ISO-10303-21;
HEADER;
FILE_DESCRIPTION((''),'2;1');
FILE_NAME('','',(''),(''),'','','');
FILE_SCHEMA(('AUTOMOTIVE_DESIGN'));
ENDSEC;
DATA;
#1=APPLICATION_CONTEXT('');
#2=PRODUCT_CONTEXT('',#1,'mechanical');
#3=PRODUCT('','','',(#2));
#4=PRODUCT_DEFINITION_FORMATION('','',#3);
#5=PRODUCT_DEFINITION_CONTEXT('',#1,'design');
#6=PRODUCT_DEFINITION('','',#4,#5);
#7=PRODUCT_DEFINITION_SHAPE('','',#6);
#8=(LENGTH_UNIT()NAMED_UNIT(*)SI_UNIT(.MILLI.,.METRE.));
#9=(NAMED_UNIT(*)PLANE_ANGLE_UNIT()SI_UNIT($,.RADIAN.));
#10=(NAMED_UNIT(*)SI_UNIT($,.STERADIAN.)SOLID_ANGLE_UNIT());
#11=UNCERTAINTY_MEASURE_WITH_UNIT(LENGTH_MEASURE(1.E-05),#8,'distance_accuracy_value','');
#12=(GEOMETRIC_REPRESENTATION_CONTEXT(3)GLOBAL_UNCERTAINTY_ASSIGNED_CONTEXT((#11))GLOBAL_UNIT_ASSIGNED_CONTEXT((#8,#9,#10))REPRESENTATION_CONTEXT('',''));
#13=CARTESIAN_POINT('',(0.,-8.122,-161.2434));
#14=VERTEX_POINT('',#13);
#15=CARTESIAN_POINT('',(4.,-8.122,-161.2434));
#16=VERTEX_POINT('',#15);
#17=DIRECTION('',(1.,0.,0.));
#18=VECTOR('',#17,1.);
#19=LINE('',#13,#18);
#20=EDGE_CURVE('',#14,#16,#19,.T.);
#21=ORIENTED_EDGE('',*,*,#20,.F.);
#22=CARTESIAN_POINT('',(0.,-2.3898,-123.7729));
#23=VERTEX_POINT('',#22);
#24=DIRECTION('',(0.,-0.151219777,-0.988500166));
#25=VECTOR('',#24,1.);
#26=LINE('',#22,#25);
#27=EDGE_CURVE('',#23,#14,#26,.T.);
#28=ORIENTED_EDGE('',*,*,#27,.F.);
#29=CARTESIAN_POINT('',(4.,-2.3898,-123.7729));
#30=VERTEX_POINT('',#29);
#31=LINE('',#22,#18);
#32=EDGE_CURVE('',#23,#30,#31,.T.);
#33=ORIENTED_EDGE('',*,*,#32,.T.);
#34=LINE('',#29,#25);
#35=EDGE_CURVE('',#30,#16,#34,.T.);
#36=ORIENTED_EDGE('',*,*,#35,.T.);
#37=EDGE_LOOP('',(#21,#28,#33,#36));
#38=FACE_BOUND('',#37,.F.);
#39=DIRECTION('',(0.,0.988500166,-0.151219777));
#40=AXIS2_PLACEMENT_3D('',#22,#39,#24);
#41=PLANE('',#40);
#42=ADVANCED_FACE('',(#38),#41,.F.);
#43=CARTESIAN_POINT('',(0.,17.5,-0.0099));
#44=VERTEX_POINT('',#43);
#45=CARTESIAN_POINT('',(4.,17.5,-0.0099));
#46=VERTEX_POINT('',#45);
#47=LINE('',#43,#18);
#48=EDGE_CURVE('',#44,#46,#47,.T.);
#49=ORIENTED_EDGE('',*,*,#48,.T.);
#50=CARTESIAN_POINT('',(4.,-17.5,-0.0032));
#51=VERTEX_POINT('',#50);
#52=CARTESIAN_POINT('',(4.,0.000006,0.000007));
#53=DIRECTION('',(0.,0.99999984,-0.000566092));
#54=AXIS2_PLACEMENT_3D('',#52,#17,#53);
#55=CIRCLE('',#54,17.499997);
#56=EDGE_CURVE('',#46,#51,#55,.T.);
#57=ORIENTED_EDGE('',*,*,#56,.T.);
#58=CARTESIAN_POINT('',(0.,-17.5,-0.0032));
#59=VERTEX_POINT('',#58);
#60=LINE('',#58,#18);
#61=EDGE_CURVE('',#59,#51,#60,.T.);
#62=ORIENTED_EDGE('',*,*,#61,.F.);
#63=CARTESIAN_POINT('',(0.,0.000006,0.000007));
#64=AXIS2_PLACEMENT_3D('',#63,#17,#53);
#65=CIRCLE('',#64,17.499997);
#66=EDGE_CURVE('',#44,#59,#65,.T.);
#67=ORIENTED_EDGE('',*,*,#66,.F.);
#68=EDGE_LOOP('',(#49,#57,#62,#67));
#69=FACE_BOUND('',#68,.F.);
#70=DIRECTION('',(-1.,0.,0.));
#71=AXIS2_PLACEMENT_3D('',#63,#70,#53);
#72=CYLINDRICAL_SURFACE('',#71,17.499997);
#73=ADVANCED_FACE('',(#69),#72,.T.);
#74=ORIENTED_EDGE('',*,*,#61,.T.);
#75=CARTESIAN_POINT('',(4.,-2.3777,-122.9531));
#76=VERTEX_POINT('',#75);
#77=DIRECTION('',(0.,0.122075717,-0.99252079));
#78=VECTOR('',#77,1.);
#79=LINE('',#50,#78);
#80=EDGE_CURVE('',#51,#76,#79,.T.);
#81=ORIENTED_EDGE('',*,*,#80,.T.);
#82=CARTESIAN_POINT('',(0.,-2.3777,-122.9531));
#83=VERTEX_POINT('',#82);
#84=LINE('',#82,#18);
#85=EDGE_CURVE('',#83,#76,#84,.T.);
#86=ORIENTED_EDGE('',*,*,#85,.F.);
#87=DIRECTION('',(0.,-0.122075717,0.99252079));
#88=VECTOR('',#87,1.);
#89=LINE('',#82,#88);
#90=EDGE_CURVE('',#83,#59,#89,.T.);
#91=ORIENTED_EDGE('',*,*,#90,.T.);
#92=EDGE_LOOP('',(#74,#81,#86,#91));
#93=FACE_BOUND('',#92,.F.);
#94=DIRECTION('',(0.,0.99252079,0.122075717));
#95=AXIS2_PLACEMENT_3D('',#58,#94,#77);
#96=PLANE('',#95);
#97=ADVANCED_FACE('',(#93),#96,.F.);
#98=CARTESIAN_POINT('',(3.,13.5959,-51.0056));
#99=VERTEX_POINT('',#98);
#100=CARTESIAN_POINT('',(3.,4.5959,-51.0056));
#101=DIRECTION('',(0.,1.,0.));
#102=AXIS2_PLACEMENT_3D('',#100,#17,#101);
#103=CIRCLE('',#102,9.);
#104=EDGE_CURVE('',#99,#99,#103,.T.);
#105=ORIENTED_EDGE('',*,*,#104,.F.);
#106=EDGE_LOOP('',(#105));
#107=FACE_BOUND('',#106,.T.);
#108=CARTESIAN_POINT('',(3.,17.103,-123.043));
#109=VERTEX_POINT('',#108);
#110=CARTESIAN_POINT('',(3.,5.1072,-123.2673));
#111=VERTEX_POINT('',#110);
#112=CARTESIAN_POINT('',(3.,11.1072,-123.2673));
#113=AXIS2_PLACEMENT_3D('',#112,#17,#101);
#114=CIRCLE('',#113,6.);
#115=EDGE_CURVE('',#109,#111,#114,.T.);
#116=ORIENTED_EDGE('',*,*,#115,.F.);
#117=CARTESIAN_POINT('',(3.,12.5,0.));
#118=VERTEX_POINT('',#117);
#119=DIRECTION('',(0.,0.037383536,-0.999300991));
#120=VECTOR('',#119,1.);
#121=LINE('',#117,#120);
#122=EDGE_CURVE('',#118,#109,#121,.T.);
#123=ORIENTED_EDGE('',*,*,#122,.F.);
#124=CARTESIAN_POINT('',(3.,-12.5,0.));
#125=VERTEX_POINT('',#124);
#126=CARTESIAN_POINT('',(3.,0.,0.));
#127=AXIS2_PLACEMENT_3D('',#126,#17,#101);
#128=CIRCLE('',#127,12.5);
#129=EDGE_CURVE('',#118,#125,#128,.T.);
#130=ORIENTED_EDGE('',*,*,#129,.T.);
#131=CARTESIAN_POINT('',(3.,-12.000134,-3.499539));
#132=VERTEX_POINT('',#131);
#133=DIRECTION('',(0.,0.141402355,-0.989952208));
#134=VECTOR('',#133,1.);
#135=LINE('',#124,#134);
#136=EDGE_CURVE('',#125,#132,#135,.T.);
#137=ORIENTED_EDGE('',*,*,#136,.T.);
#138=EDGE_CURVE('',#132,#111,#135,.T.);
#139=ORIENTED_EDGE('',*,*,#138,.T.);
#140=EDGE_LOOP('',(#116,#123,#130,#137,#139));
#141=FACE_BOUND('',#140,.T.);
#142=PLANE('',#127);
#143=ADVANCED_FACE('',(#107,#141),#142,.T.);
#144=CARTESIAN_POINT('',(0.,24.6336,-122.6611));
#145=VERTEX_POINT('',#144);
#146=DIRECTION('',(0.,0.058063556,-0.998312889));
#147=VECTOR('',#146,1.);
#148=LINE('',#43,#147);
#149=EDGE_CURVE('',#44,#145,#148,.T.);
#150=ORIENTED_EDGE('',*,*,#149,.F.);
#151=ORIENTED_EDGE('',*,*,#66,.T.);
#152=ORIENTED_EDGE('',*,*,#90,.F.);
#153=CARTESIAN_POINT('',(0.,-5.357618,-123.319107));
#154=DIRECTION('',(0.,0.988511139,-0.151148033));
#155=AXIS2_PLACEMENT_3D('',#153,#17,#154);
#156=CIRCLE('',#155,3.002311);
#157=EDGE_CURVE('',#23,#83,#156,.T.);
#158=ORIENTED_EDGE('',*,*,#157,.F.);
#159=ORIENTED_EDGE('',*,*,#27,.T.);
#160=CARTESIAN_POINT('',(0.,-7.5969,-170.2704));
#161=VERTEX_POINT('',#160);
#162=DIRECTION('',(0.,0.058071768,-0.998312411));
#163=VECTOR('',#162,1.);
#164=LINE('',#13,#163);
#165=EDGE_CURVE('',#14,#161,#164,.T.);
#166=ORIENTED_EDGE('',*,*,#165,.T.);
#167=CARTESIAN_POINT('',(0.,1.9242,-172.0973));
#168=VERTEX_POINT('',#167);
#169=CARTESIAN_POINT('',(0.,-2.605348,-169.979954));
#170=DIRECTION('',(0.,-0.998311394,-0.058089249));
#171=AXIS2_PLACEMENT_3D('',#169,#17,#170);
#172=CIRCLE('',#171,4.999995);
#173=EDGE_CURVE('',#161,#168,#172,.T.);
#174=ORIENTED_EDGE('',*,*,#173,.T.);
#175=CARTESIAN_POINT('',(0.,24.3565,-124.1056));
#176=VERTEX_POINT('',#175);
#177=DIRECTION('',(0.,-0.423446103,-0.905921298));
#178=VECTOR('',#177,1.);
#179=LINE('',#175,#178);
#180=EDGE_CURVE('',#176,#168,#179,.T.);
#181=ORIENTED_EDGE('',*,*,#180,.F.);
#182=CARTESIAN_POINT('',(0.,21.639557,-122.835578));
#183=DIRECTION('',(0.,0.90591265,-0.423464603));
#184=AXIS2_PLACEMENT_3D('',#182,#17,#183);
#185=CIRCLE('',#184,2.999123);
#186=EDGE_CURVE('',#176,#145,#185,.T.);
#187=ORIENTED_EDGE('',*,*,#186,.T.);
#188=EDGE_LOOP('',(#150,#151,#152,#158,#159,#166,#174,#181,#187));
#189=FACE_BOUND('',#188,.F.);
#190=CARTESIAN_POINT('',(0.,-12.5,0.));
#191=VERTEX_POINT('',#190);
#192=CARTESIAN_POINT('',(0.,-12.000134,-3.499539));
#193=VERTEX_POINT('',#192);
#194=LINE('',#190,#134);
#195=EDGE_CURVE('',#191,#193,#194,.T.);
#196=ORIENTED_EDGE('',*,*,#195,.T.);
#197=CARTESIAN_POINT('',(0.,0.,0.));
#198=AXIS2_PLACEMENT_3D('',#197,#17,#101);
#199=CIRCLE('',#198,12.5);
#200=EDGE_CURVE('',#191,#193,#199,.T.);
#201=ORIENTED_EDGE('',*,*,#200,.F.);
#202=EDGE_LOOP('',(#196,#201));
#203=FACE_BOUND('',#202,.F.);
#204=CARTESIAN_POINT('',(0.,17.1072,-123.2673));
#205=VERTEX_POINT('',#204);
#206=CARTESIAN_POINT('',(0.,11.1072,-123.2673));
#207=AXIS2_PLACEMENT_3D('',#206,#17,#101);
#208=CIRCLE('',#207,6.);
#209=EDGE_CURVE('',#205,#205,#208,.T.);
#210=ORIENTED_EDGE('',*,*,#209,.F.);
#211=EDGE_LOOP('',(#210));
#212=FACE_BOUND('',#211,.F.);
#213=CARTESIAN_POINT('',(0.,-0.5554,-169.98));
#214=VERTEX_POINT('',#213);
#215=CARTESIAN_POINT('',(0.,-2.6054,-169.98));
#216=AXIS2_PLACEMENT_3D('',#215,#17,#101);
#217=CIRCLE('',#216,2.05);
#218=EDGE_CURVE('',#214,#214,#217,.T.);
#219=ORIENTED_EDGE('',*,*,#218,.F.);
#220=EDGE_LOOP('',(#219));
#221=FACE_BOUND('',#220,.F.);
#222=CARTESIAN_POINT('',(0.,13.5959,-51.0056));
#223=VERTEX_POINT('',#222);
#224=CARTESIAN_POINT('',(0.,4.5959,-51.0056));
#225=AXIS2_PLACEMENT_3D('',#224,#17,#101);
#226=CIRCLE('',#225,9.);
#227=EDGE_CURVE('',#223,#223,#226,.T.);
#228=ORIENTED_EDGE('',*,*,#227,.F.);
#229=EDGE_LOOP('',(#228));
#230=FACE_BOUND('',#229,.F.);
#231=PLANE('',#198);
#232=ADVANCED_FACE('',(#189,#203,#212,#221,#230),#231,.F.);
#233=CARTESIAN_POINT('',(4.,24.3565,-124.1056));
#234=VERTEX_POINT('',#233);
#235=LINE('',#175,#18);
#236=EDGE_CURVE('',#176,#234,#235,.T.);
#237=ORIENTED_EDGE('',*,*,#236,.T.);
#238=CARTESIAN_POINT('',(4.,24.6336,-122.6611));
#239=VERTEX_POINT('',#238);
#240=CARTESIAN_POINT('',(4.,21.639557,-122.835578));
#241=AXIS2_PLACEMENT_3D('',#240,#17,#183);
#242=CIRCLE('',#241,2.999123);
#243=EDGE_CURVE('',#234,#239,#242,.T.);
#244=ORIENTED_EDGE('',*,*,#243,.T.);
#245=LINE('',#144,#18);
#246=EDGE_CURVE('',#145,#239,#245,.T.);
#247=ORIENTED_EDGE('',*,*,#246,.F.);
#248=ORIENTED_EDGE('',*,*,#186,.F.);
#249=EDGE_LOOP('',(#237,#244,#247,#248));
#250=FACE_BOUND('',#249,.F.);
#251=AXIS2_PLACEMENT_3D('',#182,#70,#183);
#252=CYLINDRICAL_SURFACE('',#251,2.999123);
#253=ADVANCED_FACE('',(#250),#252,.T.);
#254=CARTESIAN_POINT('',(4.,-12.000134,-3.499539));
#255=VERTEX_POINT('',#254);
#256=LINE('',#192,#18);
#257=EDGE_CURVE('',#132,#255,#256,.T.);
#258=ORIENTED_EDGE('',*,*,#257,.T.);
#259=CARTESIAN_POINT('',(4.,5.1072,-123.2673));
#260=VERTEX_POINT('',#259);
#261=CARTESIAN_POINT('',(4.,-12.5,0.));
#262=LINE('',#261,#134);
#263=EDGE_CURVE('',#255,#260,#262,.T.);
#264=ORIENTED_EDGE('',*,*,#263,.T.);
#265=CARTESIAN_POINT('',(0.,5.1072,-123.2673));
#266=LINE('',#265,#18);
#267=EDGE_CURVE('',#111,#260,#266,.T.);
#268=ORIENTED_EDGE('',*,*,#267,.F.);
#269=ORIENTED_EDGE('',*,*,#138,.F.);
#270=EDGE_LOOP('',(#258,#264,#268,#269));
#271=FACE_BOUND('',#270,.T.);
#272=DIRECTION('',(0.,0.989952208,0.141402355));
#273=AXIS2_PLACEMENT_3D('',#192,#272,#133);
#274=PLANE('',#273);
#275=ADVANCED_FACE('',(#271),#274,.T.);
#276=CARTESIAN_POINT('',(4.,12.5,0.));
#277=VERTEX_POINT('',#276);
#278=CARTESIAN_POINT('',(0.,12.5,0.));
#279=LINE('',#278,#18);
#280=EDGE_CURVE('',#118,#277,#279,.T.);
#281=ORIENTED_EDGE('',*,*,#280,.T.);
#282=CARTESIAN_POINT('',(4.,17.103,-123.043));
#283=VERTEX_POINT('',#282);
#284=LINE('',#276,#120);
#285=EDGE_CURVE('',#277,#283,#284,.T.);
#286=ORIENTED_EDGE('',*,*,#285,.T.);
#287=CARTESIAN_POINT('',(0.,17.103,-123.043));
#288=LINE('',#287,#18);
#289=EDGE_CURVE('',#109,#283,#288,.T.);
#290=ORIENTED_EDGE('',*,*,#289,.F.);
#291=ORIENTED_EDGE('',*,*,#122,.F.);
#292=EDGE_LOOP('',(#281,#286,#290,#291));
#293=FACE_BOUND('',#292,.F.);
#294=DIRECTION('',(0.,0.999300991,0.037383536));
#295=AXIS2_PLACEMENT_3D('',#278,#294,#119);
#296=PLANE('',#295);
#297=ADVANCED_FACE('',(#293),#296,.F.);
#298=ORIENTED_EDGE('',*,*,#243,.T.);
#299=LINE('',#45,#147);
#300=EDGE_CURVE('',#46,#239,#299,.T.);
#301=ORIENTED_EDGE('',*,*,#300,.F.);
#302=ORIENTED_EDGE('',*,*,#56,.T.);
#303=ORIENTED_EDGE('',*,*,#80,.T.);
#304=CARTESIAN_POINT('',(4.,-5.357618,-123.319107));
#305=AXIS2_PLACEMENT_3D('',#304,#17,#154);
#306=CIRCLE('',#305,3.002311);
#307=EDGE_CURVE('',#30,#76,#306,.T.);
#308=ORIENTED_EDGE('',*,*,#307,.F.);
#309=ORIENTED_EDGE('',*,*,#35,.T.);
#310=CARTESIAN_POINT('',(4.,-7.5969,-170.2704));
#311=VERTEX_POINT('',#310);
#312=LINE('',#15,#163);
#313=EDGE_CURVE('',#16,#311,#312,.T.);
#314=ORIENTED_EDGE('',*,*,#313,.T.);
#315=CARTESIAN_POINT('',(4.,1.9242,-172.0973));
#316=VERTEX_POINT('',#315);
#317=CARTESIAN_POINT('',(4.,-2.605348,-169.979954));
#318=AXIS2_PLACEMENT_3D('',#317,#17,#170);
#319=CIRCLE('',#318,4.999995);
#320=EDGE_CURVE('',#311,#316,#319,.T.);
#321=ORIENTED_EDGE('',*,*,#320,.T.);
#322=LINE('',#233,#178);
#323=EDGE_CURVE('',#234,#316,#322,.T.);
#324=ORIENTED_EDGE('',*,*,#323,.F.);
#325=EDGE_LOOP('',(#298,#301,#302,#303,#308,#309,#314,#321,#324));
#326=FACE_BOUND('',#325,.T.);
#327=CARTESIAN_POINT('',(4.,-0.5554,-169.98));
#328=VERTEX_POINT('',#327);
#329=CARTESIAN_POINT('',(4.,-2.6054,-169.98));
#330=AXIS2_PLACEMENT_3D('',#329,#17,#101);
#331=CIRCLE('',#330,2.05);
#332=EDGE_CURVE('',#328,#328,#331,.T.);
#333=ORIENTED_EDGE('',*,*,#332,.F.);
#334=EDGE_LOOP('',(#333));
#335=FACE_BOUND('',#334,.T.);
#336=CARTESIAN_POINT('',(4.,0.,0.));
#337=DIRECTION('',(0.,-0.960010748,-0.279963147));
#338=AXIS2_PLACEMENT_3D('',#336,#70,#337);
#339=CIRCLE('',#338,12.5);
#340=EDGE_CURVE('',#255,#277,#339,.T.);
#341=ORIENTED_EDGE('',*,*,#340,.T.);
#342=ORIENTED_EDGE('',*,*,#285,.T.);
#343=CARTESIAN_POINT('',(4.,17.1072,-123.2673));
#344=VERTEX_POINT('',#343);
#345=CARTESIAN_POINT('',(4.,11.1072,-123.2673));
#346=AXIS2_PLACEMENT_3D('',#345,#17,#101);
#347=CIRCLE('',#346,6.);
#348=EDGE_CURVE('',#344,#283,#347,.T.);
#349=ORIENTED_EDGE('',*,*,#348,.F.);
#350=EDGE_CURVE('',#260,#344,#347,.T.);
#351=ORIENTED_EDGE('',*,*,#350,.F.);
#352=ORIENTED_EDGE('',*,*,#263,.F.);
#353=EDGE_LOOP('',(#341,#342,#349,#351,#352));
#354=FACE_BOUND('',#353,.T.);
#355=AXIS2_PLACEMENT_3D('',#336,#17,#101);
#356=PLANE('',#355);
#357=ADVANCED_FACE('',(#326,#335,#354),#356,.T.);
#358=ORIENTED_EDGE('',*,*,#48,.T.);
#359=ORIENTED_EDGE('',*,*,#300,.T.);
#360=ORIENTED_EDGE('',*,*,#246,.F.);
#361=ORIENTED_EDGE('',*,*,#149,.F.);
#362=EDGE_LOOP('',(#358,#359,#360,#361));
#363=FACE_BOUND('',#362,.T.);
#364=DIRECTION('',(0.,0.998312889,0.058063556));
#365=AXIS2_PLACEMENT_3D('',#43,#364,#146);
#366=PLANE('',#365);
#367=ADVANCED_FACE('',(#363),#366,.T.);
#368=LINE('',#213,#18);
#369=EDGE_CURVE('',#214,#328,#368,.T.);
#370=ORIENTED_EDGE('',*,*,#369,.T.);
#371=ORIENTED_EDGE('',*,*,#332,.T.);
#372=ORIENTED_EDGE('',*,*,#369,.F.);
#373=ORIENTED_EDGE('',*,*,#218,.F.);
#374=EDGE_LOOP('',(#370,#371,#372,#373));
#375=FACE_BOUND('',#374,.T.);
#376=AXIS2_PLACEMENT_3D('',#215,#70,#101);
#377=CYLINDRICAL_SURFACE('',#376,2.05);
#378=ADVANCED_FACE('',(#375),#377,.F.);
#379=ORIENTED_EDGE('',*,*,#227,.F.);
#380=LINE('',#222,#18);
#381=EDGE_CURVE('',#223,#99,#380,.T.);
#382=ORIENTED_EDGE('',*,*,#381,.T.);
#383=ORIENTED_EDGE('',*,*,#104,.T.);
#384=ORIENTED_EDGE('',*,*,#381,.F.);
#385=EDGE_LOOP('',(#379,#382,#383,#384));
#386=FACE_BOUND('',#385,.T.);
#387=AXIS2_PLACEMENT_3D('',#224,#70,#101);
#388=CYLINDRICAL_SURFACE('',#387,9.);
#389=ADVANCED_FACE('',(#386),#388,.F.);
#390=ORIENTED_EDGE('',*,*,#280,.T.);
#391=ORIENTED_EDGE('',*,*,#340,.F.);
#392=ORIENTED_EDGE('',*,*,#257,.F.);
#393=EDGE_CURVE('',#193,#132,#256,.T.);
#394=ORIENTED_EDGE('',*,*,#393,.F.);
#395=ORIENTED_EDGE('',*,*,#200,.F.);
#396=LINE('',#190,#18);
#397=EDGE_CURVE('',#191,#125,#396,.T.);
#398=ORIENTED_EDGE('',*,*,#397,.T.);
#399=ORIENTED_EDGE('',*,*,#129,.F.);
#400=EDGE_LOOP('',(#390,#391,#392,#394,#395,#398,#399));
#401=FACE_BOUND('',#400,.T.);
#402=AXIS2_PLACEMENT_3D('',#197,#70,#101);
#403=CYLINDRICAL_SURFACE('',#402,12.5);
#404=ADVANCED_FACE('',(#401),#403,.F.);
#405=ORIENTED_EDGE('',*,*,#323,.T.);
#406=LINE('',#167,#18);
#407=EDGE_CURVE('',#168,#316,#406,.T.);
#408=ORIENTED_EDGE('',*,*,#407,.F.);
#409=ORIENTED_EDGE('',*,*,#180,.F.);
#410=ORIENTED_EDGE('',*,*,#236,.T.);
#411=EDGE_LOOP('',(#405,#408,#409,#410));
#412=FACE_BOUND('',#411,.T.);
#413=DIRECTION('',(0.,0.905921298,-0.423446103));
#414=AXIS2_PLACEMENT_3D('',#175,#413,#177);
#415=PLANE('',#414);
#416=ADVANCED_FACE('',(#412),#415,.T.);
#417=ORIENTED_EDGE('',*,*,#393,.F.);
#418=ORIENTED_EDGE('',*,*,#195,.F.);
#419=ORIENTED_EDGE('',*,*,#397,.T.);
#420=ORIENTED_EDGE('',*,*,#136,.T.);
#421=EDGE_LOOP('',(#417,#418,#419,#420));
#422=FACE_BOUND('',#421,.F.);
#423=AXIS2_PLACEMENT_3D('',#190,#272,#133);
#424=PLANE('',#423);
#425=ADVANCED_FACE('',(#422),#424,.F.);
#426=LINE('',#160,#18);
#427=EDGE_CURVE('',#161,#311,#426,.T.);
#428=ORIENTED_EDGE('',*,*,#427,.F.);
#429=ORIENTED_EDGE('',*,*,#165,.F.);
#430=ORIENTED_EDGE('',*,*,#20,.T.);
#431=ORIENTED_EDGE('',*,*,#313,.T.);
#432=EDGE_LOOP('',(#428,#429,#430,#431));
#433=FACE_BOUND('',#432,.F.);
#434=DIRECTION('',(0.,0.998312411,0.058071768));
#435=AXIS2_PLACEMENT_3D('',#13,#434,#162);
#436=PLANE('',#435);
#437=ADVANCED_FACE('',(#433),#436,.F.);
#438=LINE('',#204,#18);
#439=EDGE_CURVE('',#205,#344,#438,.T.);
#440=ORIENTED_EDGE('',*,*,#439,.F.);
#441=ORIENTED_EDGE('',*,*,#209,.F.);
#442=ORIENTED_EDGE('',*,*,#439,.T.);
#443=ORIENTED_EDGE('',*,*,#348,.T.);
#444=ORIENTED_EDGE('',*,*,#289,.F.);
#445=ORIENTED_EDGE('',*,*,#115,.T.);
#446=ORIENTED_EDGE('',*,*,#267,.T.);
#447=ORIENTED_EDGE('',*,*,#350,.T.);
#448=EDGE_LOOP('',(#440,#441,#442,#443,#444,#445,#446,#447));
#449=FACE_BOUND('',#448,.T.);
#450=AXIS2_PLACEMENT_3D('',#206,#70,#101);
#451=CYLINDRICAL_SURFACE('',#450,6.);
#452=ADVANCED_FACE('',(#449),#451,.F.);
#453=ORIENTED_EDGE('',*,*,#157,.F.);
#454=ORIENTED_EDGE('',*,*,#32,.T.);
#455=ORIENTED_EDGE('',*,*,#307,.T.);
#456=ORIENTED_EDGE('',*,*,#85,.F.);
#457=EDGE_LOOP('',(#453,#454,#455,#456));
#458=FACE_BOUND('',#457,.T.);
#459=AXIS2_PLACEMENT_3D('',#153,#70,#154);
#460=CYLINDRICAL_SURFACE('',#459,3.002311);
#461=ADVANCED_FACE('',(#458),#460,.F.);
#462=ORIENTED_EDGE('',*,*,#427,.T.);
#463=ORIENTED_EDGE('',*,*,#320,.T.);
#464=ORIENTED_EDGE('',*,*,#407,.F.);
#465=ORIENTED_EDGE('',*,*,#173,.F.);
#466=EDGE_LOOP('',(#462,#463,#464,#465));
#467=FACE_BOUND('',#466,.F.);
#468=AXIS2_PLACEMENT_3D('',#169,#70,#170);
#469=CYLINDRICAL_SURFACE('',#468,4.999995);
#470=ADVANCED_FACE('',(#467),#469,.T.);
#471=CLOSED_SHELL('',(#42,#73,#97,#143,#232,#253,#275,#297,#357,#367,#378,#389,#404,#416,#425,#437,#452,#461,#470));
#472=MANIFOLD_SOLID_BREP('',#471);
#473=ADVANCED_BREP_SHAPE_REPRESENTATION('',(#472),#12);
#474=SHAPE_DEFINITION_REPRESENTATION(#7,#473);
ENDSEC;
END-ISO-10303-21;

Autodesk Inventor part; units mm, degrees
ref_plane "YZ Plane" through (0, 0, 0) normal (1, 0, 0) x (0, 1, 0)
ref_plane "XZ Plane" through (0, 0, 0) normal (0, 1, 0) x (-1, 0, 0)
ref_plane "XY Plane" through (0, 0, 0) normal (0, 0, 1) x (1, 0, 0)
sketch "Sketch1" plane through (0, 0, 0) normal (1, 0, 0) x (0, 1, 0)
  circle A0 centre (-2.6054, -169.98) radius 2.05
  arc A1 (17.5, -0.0099) -> (-16.9792, -4.2375) centre (0, 0) ccw
  arc A2 (-7.5969, -170.2704) -> (1.9242, -172.0973) centre (-2.6054, -169.98) ccw
  line L0 (17.5, -0.0099) -> (47.8897, -0.0099) construction
  line L1 (17.5, -0.0099) -> (24.6336, -122.6611)
  line L2 (24.3565, -124.1056) -> (1.9242, -172.0973)
  line L3 (-17.5, -0.0032) -> (-2.3777, -122.9531)
  line L4 (-2.3898, -123.7729) -> (-8.122, -161.2434)
  line L5 (-17.5, -0.0032) -> (-17.3824, -2.0256)
  line L6 (-8.122, -161.2434) -> (-7.5969, -170.2704)
  arc A3 (24.3565, -124.1056) -> (24.6336, -122.6611) centre (21.6387, -122.8353) ccw
  arc A4 (-2.3898, -123.7729) -> (-2.3777, -122.9531) centre (-5.3553, -123.3193) ccw
  circle A5 centre (4.5959, -51.0056) radius 9
  circle A6 centre (11.1072, -123.2673) radius 6
  circle A7 centre (0, 0) radius 12.5
  line L7 (12.5, 0) -> (17.103, -123.043)
  line L8 (-12.5, 0) -> (5.1072, -123.2673)
  point P0 (-2.3556, -123.3634)
  point P1 (24.5849, -123.4006)
  point P2 (-12.0001, -3.4995)
  dimension "d8" = 10
  dimension "d9" = 35
  dimension "d10" = 4.1
  dimension "d11" = 170
  dimension "d12" = 3
  dimension "d13" = 3
  dimension "d16" = 18
  dimension "d17" = 12
  dimension "d19" = 25
extrude "Extrusion1" add sketch "Sketch1" along normal blind 4 contours L1 A3 L2 A2 L6 L4 A4 L3 A1
extrude "Extrusion2" add sketch "Sketch1" along normal blind 3 contours A6 L8 A7 L7
extrude "Extrusion3" add sketch "Sketch1" along normal blind 3 contours A7 L8 picked at (2.216, 2.7519)
equation "\"BendRadius\" = Thickness"
equation "\"BendReliefWidth\" = Thickness"
equation "\"BendReliefDepth\" = 0.5 * Thickness"
equation "\"CornerReliefSize\" = 4 * Thickness"
equation "\"MinimumRemnant\" = 2 * Thickness"
equation "\"TransitionRadius\" = BendRadius"
equation "\"JacobiRadiusSize\" = BendRadius"
equation "\"GapSize\" = Thickness"
equation "\"Thickness\" = 0.5"
properties part number "LINK1"
